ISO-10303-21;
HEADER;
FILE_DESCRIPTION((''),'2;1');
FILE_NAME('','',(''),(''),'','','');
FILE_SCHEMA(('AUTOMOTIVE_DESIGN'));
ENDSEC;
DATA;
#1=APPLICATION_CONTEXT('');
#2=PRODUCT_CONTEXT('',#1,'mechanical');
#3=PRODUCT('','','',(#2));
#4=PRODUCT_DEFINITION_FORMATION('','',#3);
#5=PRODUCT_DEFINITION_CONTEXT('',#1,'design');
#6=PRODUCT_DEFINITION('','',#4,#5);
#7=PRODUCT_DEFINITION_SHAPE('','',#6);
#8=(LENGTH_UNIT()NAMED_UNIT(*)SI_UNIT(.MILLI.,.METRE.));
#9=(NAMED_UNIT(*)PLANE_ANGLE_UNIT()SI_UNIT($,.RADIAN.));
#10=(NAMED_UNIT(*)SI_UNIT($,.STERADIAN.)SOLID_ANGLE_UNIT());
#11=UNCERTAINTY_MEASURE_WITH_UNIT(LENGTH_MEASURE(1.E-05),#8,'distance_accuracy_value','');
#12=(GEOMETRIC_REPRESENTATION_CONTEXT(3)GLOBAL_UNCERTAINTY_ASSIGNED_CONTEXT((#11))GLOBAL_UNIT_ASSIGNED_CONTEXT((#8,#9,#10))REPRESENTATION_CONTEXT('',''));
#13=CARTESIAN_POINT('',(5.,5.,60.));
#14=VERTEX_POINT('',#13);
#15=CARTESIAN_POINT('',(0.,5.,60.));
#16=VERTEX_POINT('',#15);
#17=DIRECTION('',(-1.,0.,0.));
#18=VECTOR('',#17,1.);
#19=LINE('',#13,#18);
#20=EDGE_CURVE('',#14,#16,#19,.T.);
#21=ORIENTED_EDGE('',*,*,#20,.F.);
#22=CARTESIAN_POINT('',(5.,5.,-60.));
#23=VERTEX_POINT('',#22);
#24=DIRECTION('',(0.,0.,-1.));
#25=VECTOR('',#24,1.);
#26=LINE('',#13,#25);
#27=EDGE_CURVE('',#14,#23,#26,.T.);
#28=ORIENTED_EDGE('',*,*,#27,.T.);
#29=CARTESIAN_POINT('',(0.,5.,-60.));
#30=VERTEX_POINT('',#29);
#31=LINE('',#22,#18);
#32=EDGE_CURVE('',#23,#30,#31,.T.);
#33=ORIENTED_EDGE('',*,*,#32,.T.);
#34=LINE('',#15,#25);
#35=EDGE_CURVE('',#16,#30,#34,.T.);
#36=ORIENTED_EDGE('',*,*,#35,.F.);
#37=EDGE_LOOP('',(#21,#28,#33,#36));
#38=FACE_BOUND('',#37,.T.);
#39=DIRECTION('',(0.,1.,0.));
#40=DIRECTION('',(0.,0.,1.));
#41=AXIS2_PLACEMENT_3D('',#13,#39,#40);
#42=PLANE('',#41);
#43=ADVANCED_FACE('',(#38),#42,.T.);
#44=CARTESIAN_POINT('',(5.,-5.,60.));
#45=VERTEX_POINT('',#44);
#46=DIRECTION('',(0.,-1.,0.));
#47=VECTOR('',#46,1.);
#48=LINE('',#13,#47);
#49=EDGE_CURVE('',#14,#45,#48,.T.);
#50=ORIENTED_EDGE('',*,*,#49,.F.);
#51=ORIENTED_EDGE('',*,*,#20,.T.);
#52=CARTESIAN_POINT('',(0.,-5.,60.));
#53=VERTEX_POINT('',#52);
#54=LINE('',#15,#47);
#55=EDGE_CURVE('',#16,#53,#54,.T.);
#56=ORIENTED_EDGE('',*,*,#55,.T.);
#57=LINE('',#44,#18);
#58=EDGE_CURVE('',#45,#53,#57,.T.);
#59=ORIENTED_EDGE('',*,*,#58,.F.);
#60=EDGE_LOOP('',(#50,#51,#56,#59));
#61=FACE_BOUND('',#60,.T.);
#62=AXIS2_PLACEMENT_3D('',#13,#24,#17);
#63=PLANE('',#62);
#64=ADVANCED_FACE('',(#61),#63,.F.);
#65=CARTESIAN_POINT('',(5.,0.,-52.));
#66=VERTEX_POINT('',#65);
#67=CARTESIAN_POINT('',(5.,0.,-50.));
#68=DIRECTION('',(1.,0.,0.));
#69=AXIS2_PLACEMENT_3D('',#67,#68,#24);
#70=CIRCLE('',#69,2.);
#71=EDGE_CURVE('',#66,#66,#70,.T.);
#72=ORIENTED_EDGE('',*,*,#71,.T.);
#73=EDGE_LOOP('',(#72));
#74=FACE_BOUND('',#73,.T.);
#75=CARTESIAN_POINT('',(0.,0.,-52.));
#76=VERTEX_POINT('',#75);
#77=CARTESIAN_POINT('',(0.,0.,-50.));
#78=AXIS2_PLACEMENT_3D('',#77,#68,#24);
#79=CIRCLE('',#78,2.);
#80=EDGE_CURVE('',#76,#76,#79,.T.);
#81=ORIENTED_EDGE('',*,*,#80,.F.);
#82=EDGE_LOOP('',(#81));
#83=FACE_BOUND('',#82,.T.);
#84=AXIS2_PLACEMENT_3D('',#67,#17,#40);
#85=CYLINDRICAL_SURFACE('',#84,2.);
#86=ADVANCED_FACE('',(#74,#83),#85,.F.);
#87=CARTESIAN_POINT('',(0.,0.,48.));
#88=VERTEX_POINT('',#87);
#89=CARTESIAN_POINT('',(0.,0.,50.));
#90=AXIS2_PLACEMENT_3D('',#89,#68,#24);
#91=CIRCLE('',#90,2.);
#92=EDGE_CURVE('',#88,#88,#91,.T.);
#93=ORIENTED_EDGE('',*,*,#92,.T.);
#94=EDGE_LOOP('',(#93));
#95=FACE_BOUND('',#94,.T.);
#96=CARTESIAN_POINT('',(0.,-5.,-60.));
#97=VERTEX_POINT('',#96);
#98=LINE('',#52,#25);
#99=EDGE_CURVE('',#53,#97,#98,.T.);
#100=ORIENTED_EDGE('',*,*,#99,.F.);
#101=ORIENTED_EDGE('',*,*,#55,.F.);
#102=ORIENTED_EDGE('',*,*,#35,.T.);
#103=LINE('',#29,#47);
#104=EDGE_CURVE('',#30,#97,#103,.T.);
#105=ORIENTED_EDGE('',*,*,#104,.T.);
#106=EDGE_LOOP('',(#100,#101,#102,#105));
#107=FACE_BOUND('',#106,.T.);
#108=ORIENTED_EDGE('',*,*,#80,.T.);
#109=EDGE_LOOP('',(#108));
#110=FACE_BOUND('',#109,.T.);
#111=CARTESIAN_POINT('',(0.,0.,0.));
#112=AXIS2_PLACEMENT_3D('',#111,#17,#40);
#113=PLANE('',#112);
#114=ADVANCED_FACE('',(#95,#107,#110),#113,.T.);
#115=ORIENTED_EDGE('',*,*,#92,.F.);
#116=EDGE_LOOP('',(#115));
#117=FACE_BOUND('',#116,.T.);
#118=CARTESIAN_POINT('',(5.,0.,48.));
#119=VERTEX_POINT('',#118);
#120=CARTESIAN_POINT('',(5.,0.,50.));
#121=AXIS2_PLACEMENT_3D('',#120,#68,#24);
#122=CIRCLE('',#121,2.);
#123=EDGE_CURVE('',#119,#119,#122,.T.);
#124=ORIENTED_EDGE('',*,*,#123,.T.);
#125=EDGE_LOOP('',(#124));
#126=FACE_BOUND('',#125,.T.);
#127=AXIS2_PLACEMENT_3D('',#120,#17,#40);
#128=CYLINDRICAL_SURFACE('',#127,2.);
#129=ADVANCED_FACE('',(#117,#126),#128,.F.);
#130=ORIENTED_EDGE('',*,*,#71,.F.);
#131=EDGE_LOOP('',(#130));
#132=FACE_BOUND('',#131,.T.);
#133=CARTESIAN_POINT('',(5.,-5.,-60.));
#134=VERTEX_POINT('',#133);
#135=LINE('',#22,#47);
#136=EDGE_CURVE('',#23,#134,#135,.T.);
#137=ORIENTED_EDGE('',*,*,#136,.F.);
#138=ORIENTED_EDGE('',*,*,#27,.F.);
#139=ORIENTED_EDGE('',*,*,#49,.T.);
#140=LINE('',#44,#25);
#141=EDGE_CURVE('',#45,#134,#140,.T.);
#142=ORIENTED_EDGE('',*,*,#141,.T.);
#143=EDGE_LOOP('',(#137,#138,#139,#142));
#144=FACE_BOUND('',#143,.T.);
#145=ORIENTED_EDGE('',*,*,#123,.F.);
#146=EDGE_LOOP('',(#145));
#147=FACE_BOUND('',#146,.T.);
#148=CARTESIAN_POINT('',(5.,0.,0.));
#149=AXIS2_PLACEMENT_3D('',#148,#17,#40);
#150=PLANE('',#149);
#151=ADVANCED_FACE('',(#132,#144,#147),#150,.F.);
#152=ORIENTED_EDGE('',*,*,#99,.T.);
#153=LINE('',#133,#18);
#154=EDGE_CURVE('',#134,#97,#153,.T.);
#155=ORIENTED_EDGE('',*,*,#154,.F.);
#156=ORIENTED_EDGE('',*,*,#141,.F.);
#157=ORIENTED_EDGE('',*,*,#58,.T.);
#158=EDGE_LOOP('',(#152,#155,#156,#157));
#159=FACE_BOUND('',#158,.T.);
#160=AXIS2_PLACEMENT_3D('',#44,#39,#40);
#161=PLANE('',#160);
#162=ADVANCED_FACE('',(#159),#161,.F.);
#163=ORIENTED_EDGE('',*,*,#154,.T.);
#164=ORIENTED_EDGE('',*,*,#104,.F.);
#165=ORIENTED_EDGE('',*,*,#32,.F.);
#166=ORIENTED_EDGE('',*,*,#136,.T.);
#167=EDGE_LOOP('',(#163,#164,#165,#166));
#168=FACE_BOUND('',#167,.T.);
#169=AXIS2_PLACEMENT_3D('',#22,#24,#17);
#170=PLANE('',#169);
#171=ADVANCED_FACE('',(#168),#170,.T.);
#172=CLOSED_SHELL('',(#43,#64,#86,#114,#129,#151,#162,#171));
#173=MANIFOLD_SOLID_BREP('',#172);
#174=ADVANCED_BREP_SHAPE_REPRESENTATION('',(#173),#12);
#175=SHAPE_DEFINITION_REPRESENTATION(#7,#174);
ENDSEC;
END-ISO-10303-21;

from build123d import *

# Parameters (mm, degrees)
SKETCH_2_W      = 120
SKETCH_2_H      = 10
SKETCH_2_R      = 2
EXTRUDE_1_DEPTH = 5


with BuildPart() as part:
    # 草图2 → 凸台-拉伸1 (new body)
    with BuildSketch(Plane(origin=(0, 0, 0), x_dir=(0, 0, -1), z_dir=(1, 0, 0))):
        Rectangle(SKETCH_2_W, SKETCH_2_H)
        with Locations((-50, 0)):
            Circle(SKETCH_2_R, mode=Mode.SUBTRACT)
        with Locations((50, 0)):
            Circle(SKETCH_2_R, mode=Mode.SUBTRACT)
    extrude(amount=EXTRUDE_1_DEPTH)


solid = part.part
